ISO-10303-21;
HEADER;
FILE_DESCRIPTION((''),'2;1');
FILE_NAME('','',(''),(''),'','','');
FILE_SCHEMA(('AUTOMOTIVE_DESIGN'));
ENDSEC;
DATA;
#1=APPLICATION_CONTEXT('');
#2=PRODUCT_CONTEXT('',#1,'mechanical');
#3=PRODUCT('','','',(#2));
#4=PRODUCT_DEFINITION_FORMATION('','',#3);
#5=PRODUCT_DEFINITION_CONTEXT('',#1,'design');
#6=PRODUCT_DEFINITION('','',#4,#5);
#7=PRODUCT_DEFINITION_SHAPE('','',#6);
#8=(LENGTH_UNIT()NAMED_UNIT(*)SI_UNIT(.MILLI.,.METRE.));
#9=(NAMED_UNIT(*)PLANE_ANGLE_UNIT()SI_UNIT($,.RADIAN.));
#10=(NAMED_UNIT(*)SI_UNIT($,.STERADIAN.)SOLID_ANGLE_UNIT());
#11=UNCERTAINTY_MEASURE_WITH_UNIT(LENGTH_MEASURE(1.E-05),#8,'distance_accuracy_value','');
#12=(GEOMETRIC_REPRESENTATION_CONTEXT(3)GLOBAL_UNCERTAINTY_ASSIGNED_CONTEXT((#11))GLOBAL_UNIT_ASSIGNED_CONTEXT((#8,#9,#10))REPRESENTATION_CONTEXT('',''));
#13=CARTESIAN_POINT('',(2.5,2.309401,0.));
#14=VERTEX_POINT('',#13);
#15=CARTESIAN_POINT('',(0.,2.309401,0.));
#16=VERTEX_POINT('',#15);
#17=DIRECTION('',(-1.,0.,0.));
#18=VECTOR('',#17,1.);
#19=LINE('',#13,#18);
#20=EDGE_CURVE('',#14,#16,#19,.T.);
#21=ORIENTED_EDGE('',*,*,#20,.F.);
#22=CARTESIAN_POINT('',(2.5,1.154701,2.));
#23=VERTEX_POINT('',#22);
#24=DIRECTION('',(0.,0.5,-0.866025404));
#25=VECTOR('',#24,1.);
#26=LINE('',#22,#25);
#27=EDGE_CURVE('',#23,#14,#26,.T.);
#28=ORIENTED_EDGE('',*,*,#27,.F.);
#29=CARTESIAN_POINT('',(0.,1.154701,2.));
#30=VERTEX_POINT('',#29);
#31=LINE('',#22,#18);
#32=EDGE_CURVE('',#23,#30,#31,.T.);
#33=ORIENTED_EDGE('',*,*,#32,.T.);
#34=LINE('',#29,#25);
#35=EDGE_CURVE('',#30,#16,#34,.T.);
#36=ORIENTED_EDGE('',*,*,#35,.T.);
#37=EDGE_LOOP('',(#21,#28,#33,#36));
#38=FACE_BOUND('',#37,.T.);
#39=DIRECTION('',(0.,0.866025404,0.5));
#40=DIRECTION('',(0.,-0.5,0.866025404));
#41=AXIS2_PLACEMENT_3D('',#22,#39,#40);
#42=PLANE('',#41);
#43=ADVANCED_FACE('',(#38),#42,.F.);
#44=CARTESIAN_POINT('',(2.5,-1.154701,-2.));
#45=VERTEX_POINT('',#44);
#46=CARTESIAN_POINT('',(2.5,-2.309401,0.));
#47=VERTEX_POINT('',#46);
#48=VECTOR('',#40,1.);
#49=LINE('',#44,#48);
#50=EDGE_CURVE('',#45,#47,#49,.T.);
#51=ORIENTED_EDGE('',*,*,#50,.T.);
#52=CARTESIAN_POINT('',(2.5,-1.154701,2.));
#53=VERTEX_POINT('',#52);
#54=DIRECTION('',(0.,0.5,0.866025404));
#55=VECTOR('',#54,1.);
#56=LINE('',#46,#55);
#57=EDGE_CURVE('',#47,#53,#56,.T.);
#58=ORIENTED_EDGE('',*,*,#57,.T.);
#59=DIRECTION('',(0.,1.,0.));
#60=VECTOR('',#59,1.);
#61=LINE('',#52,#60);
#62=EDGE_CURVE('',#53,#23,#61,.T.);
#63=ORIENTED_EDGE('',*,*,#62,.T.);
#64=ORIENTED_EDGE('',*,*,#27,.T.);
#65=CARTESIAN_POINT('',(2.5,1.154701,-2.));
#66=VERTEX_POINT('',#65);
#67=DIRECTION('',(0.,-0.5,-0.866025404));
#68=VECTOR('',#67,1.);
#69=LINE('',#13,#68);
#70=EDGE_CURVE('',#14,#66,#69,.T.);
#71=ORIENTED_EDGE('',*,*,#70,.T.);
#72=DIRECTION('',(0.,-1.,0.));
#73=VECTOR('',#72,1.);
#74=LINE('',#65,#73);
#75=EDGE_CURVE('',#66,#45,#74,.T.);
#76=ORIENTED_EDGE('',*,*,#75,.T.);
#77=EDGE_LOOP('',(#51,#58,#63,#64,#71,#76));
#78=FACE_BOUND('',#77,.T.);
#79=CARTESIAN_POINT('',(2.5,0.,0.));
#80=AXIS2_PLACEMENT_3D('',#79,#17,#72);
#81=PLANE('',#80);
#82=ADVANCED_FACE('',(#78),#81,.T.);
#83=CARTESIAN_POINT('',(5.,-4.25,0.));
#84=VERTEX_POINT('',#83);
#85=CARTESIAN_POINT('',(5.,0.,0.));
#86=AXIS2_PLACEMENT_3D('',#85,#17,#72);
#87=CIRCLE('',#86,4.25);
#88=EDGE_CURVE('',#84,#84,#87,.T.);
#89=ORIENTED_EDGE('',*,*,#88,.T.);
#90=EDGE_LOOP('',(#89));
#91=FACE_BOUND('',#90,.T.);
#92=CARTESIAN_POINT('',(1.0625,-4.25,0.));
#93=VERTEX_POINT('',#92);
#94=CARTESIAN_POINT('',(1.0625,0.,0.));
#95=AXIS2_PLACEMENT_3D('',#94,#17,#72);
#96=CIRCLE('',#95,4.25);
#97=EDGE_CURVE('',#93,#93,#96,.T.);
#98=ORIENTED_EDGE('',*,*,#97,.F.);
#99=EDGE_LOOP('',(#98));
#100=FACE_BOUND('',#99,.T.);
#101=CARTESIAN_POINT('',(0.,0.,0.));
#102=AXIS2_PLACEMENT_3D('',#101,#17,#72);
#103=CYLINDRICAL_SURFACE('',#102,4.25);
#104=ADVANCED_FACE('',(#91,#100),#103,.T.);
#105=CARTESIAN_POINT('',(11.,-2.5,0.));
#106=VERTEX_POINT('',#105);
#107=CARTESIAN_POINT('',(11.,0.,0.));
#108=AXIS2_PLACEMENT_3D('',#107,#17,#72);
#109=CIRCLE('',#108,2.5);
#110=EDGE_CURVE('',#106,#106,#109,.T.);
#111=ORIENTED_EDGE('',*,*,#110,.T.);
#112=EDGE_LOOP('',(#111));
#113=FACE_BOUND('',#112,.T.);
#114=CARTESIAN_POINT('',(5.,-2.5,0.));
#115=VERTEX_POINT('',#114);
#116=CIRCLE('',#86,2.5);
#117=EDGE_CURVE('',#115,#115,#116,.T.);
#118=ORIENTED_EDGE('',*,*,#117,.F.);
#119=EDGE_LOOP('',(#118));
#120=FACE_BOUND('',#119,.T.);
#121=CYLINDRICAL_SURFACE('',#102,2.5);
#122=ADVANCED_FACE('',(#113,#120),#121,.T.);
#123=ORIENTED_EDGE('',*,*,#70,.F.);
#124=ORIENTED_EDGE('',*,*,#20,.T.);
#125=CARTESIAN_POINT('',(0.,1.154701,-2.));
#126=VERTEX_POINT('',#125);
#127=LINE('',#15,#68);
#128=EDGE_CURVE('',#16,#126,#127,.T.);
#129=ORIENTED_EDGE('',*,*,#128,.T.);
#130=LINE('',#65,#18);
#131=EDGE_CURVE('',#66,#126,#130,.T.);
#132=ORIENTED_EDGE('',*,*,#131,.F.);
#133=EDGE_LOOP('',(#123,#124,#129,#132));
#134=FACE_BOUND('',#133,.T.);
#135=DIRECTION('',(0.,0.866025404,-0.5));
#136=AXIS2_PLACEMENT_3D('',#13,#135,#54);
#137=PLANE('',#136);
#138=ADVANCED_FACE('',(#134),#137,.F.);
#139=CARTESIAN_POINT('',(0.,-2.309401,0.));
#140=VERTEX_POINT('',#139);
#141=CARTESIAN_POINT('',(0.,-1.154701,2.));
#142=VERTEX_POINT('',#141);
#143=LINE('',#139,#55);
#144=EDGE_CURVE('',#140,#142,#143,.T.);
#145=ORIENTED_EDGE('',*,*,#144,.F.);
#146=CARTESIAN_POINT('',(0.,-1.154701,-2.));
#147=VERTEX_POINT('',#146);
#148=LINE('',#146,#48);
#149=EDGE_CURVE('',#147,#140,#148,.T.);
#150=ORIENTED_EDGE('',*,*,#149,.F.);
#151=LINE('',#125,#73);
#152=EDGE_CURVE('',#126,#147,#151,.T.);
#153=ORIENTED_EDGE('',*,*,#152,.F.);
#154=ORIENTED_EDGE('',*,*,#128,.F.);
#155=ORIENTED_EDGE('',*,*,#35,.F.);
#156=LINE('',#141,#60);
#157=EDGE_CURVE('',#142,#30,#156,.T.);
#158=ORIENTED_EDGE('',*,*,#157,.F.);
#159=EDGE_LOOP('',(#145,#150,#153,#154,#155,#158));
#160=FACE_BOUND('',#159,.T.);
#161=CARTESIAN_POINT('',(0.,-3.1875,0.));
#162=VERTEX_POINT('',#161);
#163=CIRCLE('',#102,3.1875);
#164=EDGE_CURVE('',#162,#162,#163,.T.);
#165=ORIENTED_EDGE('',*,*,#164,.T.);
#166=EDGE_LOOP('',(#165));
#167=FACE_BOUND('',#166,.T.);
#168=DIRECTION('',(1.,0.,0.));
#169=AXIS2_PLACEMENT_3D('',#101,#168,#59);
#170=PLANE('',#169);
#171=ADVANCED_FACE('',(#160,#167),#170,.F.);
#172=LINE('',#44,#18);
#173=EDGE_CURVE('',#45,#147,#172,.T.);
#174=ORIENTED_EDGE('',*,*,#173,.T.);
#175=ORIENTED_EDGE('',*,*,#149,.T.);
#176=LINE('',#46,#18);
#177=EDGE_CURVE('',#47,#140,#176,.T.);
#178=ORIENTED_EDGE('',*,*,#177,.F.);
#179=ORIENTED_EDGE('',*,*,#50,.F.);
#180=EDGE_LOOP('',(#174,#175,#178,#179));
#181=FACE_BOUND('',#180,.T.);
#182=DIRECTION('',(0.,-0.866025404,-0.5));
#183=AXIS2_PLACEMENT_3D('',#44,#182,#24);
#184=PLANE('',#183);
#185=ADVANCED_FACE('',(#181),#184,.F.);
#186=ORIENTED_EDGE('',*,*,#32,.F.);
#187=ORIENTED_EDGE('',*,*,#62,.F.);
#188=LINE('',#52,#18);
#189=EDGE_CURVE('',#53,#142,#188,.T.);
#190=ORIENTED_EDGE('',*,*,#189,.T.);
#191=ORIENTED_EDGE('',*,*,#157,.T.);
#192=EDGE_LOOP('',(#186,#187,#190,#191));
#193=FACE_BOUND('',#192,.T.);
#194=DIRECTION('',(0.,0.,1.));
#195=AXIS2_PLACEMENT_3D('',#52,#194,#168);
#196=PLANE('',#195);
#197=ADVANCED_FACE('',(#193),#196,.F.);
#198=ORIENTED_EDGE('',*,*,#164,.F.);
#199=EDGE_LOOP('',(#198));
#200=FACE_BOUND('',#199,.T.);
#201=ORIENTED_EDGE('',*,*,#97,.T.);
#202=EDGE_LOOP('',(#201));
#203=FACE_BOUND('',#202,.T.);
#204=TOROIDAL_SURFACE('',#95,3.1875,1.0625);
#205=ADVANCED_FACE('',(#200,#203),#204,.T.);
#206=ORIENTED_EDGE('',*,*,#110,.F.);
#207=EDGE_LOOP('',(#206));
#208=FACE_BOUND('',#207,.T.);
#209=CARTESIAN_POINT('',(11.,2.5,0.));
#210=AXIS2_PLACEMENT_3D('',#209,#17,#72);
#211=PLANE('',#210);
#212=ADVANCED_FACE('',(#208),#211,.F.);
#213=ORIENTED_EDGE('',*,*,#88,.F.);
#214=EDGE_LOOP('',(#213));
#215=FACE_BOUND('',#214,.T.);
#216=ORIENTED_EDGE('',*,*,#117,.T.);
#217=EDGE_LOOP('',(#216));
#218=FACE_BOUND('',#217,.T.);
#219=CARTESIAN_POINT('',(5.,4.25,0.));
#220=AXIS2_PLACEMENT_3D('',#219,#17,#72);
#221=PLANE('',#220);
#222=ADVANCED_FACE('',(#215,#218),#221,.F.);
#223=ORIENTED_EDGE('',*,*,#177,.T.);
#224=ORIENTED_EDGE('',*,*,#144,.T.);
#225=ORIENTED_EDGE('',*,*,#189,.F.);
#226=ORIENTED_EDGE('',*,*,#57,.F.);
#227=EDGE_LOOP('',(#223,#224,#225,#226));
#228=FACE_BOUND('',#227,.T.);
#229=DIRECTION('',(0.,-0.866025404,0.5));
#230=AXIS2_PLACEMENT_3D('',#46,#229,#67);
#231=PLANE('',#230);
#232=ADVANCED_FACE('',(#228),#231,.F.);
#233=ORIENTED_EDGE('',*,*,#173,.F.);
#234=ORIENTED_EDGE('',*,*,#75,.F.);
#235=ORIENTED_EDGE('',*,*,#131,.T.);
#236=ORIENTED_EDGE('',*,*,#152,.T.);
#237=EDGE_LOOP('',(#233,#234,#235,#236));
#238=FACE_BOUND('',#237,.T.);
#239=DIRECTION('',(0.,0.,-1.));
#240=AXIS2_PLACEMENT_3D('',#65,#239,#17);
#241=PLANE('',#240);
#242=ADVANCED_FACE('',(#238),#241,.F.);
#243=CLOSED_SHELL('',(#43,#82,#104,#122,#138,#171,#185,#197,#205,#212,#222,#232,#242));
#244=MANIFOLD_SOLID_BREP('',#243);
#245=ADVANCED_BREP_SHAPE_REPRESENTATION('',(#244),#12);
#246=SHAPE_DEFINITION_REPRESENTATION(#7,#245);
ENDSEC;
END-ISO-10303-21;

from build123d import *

# Parameters (mm, degrees)
CUT_EXTRUDE1_DEPTH = 2.5


with BuildPart() as part:
    # Sketch1 → Revolve1 (revolve)
    with BuildSketch(Plane.XY, mode=Mode.PRIVATE) as revolve1_sk:
        with BuildLine():
            Line((0, 0), (0, 3.1875))
            ThreePointArc((0, 3.1875), (0.311199045, 3.938800955), (1.0625, 4.25))
            Line((1.0625, 4.25), (5, 4.25))
            Line((5, 4.25), (5, 2.5))
            Line((5, 2.5), (11, 2.5))
            Line((11, 2.5), (11, 0))
            Line((11, 0), (0, 0))
        make_face()
    revolve(revolve1_sk.sketch.rotate(Axis((0, 0, 0), (1, 0, 0)), 180), axis=Axis((0, 0, 0), (1, 0, 0)))

    # Sketch2 → Cut-Extrude1 (cut)
    with BuildSketch(Plane.ZY):
        Polygon((0, 2.309401077), (-2, 1.154700538), (-2, -1.154700538), (0, -2.309401077), (2, -1.154700538), (2, 1.154700538), align=None)
    extrude(amount=-CUT_EXTRUDE1_DEPTH, mode=Mode.SUBTRACT)


solid = part.part
